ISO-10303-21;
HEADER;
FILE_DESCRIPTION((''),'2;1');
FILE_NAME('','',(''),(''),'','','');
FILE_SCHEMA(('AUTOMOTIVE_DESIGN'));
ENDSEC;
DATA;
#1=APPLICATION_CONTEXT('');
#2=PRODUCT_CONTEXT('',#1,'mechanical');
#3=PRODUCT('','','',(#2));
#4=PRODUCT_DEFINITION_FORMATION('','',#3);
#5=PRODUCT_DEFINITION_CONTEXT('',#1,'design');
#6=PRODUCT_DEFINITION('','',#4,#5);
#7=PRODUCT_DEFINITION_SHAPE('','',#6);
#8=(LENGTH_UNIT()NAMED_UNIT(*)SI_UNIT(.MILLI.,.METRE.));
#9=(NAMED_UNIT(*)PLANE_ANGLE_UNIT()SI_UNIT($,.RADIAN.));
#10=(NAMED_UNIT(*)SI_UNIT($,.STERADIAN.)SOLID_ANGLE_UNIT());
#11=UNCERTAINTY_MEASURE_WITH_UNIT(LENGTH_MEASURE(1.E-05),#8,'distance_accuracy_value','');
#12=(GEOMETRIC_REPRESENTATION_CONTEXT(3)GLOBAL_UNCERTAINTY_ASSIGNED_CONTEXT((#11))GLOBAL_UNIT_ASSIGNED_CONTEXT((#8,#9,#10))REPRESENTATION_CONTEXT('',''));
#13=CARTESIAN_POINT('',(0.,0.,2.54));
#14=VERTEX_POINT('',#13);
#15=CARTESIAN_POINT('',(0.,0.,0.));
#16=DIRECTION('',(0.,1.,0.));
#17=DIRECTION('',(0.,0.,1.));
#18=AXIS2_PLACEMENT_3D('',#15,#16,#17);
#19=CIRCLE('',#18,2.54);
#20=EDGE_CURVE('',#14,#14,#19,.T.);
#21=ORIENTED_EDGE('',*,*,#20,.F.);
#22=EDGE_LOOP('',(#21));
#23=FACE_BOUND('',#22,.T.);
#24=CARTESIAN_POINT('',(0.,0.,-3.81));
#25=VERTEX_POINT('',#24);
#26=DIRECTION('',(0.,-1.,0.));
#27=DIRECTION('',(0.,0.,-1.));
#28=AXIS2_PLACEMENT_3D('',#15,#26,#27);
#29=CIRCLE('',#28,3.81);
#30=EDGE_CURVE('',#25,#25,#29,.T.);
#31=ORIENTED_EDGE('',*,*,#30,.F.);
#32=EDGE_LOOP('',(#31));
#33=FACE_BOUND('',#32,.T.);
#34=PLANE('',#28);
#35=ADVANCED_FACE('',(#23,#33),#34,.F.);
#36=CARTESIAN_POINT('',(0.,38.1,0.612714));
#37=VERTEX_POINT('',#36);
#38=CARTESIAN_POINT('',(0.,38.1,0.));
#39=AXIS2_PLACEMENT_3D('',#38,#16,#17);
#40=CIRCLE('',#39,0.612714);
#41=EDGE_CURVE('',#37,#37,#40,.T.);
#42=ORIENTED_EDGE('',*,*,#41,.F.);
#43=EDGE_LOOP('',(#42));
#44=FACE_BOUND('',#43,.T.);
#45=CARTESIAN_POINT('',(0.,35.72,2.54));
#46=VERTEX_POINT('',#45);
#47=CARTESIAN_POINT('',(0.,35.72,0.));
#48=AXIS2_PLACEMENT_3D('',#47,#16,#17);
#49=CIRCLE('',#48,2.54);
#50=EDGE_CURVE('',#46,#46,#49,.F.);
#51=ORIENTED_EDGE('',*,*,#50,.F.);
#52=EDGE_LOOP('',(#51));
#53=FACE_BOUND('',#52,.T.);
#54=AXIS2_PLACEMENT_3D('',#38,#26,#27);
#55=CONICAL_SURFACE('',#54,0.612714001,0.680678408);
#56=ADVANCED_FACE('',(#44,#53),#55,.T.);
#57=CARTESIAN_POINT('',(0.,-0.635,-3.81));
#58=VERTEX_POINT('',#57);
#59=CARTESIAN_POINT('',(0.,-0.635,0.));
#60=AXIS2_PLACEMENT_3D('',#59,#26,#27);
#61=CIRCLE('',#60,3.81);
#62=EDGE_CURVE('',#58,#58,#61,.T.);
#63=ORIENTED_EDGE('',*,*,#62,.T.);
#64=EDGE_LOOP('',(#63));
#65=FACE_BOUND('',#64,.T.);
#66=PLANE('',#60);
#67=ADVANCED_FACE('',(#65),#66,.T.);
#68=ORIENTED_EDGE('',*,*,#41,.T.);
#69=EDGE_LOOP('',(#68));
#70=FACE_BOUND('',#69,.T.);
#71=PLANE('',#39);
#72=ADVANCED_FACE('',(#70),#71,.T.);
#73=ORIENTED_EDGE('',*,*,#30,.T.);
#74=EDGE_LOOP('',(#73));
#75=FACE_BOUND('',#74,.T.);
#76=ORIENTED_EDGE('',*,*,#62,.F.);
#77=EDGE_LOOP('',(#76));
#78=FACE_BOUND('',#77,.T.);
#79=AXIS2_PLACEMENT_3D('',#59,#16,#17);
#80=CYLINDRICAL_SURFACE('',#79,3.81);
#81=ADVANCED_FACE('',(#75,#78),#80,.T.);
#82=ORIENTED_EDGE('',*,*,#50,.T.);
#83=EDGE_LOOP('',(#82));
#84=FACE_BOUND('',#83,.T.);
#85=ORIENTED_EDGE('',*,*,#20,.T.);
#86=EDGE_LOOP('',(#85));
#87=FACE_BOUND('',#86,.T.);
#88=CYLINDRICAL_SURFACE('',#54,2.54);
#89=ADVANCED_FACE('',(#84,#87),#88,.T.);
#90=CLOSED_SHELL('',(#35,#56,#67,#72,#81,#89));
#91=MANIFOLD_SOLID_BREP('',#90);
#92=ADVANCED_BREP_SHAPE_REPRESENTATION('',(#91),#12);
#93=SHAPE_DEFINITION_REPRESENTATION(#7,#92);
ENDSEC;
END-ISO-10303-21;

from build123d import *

# Parameters (mm, degrees)
SKETCH2_R           = 2.54
BOSS_EXTRUDE1_DEPTH = 38.1
CHAMFER1_SIZE       = 2.38
CHAMFER1_SIZE2      = 1.927285999
SKETCH3_R           = 3.81
BOSS_EXTRUDE2_DEPTH = 0.635


with BuildPart() as part:
    # Sketch2 → Boss-Extrude1 (new body)
    with BuildSketch(Plane(origin=(0, 0, 0), x_dir=(1, 0, 0), z_dir=(0, 1, 0))):
        Circle(SKETCH2_R)
    extrude(amount=BOSS_EXTRUDE1_DEPTH)

    # Chamfer1
    chamfer1_edges = [part.edges().sort_by_distance(p)[0] for p in [
        (-2.54, 38.1, 0),
    ]]
    chamfer1_side = [part.faces().sort_by_distance(p)[0] for p in [
        (-2.54, 19.05, 0),
    ]]
    chamfer(chamfer1_edges, length=CHAMFER1_SIZE, length2=CHAMFER1_SIZE2, reference=chamfer1_side[0])

    # Sketch3 → Boss-Extrude2 (add)
    with BuildSketch(Plane(origin=(0, 0, 0), x_dir=(-1, 0, 0), z_dir=(0, -1, 0))):
        Circle(SKETCH3_R)
    extrude(amount=BOSS_EXTRUDE2_DEPTH)


solid = part.part
